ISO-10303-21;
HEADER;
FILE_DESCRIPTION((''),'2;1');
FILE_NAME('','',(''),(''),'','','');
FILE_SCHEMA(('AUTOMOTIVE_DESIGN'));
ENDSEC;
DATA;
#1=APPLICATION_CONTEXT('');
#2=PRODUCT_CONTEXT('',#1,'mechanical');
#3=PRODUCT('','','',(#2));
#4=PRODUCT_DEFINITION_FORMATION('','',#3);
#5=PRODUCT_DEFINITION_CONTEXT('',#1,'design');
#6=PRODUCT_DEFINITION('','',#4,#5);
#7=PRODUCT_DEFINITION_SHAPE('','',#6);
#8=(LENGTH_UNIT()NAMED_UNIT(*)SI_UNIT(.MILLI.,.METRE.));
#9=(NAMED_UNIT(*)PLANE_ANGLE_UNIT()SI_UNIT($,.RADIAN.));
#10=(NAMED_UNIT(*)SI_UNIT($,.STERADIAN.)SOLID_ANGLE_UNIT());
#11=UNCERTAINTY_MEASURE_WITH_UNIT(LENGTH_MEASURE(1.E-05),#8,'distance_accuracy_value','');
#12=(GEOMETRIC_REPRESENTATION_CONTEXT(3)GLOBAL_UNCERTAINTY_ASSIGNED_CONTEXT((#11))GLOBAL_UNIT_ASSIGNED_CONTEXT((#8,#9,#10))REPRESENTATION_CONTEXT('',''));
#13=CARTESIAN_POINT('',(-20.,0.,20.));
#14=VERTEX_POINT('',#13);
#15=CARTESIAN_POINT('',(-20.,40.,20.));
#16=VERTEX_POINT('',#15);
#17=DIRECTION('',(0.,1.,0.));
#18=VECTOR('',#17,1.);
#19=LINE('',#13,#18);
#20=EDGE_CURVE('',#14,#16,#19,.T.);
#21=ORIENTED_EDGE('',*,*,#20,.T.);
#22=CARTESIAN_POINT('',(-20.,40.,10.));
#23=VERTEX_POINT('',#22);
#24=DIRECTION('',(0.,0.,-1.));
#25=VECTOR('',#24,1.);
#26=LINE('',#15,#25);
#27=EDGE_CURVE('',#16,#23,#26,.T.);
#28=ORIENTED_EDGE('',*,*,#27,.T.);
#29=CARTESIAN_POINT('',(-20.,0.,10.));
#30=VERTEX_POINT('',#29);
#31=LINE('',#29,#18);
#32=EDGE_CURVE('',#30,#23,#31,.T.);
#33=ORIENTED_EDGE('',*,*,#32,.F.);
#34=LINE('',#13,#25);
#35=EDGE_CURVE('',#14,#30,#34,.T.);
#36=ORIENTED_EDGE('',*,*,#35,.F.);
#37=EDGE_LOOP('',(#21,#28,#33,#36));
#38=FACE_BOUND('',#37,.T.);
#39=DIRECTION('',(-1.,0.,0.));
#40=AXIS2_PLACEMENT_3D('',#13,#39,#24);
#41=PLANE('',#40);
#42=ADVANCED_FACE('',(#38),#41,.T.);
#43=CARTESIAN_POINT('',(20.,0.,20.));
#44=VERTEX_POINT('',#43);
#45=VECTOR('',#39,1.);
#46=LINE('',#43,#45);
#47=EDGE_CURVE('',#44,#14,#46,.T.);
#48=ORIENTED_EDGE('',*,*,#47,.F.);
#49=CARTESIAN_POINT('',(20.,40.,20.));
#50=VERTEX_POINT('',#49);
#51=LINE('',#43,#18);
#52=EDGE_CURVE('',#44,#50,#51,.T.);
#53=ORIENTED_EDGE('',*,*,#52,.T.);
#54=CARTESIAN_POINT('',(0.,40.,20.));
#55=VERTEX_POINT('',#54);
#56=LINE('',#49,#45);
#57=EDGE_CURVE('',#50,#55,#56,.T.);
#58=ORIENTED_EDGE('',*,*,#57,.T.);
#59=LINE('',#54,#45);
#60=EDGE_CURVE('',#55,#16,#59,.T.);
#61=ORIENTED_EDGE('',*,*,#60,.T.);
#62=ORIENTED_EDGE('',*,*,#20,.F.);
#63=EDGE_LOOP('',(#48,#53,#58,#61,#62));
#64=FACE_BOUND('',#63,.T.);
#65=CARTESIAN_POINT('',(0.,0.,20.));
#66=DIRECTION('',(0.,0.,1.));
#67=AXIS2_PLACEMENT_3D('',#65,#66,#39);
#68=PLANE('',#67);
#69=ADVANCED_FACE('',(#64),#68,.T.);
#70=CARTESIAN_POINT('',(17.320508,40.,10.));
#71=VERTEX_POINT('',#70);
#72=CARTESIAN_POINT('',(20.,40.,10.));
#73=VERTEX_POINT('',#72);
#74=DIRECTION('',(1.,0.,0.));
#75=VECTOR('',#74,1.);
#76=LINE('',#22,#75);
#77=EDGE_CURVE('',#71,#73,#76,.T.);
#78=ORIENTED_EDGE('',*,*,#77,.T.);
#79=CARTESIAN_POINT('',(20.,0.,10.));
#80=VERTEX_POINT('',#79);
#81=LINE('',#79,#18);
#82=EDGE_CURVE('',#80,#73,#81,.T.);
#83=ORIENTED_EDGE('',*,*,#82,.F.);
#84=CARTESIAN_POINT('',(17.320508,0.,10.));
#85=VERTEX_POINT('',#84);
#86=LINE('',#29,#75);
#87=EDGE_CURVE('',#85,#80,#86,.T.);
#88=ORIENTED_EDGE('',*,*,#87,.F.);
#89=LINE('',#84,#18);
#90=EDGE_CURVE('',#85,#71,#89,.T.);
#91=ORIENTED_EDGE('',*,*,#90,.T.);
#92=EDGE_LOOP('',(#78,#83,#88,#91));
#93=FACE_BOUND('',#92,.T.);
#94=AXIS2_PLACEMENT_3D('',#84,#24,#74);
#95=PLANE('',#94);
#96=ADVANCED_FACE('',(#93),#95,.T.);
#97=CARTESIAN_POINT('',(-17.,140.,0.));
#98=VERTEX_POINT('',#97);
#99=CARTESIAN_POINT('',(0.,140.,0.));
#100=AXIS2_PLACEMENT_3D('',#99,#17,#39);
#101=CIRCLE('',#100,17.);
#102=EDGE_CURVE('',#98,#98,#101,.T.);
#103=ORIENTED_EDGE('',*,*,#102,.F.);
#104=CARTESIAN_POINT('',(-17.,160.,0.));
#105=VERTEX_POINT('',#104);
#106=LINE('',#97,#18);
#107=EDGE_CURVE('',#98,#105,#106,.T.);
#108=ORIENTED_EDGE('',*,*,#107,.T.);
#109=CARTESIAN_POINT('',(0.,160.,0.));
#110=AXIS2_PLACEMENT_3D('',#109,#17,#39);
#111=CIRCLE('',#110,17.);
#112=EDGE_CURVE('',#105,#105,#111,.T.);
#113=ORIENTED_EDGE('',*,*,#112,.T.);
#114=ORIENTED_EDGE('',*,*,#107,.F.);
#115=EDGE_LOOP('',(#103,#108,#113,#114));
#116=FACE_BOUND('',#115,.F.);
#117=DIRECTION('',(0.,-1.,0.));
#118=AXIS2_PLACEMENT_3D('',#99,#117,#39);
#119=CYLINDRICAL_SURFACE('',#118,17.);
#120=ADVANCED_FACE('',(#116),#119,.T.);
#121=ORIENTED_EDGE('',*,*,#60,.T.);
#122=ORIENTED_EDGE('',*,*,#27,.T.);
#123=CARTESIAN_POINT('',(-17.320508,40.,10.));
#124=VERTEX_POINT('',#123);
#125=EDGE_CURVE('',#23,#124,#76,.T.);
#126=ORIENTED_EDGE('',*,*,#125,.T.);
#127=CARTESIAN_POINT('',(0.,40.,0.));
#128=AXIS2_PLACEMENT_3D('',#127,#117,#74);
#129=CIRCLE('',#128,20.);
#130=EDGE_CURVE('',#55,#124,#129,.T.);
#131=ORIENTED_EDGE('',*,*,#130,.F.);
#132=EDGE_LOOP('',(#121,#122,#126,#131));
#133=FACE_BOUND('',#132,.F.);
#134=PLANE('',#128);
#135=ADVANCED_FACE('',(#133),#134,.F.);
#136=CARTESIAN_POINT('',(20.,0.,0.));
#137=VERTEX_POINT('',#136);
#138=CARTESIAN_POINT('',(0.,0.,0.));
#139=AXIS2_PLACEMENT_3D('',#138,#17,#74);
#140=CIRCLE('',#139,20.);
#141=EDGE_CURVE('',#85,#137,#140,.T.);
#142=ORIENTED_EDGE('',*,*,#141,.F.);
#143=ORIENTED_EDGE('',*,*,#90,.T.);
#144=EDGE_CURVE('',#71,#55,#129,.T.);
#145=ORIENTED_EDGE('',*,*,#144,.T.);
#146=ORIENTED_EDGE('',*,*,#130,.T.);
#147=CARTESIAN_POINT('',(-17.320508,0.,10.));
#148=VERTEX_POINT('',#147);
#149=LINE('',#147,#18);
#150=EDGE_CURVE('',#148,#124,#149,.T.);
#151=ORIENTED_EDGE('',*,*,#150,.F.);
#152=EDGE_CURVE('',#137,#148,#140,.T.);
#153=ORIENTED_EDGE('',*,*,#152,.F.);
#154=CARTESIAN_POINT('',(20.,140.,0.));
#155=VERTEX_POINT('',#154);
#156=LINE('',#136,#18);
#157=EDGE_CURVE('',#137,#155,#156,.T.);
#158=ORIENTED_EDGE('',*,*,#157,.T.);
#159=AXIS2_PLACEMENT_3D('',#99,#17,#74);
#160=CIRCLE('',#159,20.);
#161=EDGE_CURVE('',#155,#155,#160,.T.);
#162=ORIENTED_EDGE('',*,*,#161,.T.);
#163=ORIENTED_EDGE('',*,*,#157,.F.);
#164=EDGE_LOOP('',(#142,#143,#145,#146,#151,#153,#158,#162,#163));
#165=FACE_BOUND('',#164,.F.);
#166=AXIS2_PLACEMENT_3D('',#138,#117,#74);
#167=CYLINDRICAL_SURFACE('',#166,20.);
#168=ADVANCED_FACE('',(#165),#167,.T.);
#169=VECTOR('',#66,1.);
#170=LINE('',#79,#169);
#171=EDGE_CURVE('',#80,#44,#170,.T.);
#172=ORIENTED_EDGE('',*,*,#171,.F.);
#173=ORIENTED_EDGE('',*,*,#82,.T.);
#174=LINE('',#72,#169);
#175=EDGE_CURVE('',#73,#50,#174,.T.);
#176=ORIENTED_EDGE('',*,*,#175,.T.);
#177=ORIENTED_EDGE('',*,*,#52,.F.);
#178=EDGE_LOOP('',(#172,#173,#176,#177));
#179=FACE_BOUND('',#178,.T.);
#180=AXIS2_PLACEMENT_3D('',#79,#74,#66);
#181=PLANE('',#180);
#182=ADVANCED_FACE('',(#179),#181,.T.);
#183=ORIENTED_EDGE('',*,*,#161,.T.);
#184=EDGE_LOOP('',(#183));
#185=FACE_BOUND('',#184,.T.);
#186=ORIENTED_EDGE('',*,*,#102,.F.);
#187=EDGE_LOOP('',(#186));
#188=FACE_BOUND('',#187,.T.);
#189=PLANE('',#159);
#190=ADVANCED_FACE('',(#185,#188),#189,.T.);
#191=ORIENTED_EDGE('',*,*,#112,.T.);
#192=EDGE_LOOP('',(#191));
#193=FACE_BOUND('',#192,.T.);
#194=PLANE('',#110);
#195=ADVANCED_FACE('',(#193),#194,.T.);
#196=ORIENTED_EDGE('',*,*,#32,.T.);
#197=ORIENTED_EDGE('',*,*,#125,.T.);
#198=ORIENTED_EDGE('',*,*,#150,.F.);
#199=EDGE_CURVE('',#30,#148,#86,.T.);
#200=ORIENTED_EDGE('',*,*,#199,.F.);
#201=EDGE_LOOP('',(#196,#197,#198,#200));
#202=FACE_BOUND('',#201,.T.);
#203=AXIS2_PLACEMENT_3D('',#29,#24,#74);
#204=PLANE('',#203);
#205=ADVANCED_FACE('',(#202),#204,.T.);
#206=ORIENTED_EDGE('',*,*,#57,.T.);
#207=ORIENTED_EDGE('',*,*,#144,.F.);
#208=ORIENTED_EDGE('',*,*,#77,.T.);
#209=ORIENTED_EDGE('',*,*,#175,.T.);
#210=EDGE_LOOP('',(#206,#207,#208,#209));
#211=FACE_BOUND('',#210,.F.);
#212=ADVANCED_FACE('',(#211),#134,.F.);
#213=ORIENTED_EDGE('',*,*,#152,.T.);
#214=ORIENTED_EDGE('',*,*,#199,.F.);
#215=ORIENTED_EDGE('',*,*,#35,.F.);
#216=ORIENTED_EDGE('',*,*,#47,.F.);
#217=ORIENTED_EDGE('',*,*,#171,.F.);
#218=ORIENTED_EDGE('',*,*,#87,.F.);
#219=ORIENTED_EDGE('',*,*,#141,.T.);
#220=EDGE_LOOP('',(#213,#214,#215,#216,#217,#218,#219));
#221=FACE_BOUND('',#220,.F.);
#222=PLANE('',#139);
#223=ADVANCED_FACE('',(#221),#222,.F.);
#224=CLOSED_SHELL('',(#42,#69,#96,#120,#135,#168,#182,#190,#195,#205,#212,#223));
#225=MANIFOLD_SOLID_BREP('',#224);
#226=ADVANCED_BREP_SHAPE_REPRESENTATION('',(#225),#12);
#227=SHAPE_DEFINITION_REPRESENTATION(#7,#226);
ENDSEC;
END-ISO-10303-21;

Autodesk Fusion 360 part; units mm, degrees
sketch "Sketch1" plane through (0, 0, 0) normal (0, 1, 0) x (1, 0, 0)
  circle A0 centre (0, 0) radius 20
  dimension "d1" = 40
extrude "Extrude1" add sketch "Sketch1" along normal blind 140
sketch "Sketch2" plane through (0, 140, 0) normal (0, 1, 0) x (-1, 0, 0)
  circle A0 centre (0, 0) radius 20
  circle A1 centre (0, 0) radius 17
  dimension "d4" = 34
extrude "Extrude2" add sketch "Sketch2" along normal blind 20 contours A1
sketch "Sketch3" plane through (0, 0, 0) normal (1, 0, 0) x (0, 0, -1)
sketch "Sketch4" plane through (0, 0, 0) normal (0, -1, 0) x (1, 0, 0)
  circle A0 centre (0, 0) radius 20
  line L0 (0, 20) -> (-20, 20)
  line L1 (-20, 20) -> (-20, 10)
  line L2 (-20, 10) -> (20, 10)
  line L3 (20, 10) -> (20, 20)
  line L4 (20, 20) -> (0, 20)
extrude "Extrude3" add sketch "Sketch4" against normal blind 40 contours A0 L2 L3 L4 | A0 L0 L1 L2
sketch "Sketch5" plane through (20, 0, 0) normal (1, 0, 0) x (0, 0, -1)
  line L0 (-20, 0) -> (-10, 0)
  line L1 (-10, 0) -> (-10, 40)
  line L2 (-10, 40) -> (-20, 40)
  line L3 (-20, 40) -> (-20, 0)
